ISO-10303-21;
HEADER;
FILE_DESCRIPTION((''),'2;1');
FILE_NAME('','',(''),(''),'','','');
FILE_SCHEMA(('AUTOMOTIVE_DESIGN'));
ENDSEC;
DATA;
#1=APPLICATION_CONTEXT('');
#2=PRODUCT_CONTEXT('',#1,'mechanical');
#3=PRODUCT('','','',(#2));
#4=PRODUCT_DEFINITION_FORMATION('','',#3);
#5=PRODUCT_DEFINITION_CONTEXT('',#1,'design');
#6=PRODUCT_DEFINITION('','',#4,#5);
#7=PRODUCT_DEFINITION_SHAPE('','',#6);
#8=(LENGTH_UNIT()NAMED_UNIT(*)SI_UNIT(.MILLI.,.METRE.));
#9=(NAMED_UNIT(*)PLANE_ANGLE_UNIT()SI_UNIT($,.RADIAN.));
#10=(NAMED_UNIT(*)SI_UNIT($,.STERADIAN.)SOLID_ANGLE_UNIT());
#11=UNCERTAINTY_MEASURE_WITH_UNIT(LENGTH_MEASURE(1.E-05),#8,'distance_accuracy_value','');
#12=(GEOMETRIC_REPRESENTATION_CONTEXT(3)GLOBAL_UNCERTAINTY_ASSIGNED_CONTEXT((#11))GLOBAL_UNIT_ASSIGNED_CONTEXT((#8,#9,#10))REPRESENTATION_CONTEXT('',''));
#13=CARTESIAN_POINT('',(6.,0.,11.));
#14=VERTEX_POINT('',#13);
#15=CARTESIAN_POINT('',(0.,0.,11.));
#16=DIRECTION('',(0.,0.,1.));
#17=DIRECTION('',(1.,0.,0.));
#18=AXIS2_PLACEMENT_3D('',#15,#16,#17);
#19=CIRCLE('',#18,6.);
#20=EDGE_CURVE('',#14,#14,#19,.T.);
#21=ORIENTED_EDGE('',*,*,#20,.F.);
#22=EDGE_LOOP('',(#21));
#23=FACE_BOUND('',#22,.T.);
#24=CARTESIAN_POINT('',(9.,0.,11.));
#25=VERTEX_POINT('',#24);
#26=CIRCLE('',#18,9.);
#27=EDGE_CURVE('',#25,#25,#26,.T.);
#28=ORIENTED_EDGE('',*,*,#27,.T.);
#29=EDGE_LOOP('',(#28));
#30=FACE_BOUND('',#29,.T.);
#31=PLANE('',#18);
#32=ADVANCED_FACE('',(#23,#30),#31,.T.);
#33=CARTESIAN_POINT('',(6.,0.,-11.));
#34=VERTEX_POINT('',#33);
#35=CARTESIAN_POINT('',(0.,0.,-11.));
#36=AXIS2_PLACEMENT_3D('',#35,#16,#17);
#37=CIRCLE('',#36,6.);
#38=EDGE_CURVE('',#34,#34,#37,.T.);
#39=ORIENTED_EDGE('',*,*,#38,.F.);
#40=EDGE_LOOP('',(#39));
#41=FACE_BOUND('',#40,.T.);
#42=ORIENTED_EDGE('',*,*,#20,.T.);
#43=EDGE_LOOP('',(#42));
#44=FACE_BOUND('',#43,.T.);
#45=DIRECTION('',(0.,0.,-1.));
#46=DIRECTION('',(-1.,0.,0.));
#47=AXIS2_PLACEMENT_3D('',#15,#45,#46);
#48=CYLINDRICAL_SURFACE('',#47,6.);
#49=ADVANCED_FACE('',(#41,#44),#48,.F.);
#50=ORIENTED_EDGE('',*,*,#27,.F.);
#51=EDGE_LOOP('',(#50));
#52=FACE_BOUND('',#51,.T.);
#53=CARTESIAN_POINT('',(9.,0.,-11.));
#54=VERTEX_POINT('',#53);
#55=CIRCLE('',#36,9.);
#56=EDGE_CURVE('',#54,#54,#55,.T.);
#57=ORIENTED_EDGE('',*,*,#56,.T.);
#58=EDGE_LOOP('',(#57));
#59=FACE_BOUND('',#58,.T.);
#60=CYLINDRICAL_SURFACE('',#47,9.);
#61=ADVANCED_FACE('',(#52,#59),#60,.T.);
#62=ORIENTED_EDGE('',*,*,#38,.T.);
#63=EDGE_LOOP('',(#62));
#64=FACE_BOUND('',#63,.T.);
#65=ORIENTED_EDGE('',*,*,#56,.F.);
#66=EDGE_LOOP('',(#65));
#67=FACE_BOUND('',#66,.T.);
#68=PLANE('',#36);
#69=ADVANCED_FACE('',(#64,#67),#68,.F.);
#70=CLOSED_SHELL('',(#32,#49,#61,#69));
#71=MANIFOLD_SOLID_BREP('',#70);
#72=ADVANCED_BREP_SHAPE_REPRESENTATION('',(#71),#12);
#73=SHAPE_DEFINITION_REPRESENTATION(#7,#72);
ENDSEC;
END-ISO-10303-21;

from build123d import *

# Parameters (mm, degrees)
SKETCH1_R           = 9
SKETCH1_R_2         = 6
BOSS_EXTRUDE1_DEPTH = 11


with BuildPart() as part:
    # Sketch1 → Boss-Extrude1 (new, symmetric)
    with BuildSketch(Plane.XY):
        Circle(SKETCH1_R)
        Circle(SKETCH1_R_2, mode=Mode.SUBTRACT)
    extrude(amount=BOSS_EXTRUDE1_DEPTH, both=True)


solid = part.part
